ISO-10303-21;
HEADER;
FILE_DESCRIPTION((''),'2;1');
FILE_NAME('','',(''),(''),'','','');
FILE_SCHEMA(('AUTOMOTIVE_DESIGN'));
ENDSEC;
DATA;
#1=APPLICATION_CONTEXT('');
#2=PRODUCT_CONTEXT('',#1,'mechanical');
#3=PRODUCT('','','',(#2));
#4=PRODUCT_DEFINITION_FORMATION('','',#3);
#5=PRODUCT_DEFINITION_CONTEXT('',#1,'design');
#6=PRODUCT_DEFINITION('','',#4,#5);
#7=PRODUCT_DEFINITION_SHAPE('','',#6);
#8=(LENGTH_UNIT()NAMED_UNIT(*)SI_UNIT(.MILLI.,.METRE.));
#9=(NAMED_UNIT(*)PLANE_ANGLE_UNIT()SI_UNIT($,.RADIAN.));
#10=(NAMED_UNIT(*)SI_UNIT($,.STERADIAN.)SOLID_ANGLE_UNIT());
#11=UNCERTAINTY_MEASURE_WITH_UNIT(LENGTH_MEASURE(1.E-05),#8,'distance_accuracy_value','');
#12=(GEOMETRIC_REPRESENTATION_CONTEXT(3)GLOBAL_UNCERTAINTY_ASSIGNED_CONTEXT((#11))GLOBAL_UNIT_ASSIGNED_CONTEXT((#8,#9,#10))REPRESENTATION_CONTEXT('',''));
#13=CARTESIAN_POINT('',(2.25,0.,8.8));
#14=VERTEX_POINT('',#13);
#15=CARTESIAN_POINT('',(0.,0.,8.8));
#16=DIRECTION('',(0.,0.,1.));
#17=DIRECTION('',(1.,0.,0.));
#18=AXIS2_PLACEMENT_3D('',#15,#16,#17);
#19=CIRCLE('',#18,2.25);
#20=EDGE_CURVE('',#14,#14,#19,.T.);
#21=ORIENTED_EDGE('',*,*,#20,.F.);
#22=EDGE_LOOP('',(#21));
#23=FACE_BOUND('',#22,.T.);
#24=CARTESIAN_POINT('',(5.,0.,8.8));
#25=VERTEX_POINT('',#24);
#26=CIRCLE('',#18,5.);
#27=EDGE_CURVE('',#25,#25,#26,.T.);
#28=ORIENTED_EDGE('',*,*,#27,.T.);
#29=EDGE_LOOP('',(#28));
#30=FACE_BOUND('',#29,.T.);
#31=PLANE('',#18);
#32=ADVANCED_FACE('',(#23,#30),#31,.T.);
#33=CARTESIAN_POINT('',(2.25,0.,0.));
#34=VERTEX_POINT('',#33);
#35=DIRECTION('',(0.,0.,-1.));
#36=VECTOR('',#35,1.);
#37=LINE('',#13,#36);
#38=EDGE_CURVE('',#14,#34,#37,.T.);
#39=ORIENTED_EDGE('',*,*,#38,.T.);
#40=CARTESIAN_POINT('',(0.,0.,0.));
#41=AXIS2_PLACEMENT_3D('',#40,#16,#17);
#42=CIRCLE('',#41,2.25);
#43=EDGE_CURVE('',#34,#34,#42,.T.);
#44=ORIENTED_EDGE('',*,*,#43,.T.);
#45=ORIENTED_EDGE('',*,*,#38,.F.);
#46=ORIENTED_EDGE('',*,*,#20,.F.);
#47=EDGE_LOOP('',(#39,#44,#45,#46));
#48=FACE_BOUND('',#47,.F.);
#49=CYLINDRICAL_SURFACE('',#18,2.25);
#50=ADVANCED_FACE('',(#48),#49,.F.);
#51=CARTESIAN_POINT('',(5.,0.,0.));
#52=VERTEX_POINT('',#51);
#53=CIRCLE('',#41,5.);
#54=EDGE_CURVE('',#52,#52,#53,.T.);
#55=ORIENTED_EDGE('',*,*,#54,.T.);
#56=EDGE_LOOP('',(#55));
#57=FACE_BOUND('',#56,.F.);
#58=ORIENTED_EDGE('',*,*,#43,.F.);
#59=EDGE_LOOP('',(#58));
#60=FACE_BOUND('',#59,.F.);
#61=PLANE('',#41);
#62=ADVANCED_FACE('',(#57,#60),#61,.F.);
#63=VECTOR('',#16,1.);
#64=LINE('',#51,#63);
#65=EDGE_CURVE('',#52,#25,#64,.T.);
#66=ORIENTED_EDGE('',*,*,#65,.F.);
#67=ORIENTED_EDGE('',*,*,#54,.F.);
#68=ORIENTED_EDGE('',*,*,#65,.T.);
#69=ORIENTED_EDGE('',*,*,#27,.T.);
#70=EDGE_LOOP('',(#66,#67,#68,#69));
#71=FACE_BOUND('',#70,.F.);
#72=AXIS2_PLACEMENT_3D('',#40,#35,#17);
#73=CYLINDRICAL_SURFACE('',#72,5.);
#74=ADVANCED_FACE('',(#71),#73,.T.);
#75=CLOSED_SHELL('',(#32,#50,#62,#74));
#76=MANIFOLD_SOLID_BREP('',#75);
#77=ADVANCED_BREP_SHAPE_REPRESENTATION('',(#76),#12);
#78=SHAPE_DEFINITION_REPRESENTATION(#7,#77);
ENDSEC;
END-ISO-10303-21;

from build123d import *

# Parameters (mm, degrees)
SKETCH_R     = 5
PAD_DEPTH    = 8.8
SKETCH001_R  = 2.25
POCKET_DEPTH = 8.801


with BuildPart() as part:
    # Sketch → Pad (new body)
    with BuildSketch(Plane.XY):
        Circle(SKETCH_R)
    extrude(amount=PAD_DEPTH)

    # Sketch001 → Pocket (cut, through all)
    with BuildSketch(Plane.XY.offset(8.8)):
        Circle(SKETCH001_R)
    extrude(amount=-POCKET_DEPTH, mode=Mode.SUBTRACT)


solid = part.part
